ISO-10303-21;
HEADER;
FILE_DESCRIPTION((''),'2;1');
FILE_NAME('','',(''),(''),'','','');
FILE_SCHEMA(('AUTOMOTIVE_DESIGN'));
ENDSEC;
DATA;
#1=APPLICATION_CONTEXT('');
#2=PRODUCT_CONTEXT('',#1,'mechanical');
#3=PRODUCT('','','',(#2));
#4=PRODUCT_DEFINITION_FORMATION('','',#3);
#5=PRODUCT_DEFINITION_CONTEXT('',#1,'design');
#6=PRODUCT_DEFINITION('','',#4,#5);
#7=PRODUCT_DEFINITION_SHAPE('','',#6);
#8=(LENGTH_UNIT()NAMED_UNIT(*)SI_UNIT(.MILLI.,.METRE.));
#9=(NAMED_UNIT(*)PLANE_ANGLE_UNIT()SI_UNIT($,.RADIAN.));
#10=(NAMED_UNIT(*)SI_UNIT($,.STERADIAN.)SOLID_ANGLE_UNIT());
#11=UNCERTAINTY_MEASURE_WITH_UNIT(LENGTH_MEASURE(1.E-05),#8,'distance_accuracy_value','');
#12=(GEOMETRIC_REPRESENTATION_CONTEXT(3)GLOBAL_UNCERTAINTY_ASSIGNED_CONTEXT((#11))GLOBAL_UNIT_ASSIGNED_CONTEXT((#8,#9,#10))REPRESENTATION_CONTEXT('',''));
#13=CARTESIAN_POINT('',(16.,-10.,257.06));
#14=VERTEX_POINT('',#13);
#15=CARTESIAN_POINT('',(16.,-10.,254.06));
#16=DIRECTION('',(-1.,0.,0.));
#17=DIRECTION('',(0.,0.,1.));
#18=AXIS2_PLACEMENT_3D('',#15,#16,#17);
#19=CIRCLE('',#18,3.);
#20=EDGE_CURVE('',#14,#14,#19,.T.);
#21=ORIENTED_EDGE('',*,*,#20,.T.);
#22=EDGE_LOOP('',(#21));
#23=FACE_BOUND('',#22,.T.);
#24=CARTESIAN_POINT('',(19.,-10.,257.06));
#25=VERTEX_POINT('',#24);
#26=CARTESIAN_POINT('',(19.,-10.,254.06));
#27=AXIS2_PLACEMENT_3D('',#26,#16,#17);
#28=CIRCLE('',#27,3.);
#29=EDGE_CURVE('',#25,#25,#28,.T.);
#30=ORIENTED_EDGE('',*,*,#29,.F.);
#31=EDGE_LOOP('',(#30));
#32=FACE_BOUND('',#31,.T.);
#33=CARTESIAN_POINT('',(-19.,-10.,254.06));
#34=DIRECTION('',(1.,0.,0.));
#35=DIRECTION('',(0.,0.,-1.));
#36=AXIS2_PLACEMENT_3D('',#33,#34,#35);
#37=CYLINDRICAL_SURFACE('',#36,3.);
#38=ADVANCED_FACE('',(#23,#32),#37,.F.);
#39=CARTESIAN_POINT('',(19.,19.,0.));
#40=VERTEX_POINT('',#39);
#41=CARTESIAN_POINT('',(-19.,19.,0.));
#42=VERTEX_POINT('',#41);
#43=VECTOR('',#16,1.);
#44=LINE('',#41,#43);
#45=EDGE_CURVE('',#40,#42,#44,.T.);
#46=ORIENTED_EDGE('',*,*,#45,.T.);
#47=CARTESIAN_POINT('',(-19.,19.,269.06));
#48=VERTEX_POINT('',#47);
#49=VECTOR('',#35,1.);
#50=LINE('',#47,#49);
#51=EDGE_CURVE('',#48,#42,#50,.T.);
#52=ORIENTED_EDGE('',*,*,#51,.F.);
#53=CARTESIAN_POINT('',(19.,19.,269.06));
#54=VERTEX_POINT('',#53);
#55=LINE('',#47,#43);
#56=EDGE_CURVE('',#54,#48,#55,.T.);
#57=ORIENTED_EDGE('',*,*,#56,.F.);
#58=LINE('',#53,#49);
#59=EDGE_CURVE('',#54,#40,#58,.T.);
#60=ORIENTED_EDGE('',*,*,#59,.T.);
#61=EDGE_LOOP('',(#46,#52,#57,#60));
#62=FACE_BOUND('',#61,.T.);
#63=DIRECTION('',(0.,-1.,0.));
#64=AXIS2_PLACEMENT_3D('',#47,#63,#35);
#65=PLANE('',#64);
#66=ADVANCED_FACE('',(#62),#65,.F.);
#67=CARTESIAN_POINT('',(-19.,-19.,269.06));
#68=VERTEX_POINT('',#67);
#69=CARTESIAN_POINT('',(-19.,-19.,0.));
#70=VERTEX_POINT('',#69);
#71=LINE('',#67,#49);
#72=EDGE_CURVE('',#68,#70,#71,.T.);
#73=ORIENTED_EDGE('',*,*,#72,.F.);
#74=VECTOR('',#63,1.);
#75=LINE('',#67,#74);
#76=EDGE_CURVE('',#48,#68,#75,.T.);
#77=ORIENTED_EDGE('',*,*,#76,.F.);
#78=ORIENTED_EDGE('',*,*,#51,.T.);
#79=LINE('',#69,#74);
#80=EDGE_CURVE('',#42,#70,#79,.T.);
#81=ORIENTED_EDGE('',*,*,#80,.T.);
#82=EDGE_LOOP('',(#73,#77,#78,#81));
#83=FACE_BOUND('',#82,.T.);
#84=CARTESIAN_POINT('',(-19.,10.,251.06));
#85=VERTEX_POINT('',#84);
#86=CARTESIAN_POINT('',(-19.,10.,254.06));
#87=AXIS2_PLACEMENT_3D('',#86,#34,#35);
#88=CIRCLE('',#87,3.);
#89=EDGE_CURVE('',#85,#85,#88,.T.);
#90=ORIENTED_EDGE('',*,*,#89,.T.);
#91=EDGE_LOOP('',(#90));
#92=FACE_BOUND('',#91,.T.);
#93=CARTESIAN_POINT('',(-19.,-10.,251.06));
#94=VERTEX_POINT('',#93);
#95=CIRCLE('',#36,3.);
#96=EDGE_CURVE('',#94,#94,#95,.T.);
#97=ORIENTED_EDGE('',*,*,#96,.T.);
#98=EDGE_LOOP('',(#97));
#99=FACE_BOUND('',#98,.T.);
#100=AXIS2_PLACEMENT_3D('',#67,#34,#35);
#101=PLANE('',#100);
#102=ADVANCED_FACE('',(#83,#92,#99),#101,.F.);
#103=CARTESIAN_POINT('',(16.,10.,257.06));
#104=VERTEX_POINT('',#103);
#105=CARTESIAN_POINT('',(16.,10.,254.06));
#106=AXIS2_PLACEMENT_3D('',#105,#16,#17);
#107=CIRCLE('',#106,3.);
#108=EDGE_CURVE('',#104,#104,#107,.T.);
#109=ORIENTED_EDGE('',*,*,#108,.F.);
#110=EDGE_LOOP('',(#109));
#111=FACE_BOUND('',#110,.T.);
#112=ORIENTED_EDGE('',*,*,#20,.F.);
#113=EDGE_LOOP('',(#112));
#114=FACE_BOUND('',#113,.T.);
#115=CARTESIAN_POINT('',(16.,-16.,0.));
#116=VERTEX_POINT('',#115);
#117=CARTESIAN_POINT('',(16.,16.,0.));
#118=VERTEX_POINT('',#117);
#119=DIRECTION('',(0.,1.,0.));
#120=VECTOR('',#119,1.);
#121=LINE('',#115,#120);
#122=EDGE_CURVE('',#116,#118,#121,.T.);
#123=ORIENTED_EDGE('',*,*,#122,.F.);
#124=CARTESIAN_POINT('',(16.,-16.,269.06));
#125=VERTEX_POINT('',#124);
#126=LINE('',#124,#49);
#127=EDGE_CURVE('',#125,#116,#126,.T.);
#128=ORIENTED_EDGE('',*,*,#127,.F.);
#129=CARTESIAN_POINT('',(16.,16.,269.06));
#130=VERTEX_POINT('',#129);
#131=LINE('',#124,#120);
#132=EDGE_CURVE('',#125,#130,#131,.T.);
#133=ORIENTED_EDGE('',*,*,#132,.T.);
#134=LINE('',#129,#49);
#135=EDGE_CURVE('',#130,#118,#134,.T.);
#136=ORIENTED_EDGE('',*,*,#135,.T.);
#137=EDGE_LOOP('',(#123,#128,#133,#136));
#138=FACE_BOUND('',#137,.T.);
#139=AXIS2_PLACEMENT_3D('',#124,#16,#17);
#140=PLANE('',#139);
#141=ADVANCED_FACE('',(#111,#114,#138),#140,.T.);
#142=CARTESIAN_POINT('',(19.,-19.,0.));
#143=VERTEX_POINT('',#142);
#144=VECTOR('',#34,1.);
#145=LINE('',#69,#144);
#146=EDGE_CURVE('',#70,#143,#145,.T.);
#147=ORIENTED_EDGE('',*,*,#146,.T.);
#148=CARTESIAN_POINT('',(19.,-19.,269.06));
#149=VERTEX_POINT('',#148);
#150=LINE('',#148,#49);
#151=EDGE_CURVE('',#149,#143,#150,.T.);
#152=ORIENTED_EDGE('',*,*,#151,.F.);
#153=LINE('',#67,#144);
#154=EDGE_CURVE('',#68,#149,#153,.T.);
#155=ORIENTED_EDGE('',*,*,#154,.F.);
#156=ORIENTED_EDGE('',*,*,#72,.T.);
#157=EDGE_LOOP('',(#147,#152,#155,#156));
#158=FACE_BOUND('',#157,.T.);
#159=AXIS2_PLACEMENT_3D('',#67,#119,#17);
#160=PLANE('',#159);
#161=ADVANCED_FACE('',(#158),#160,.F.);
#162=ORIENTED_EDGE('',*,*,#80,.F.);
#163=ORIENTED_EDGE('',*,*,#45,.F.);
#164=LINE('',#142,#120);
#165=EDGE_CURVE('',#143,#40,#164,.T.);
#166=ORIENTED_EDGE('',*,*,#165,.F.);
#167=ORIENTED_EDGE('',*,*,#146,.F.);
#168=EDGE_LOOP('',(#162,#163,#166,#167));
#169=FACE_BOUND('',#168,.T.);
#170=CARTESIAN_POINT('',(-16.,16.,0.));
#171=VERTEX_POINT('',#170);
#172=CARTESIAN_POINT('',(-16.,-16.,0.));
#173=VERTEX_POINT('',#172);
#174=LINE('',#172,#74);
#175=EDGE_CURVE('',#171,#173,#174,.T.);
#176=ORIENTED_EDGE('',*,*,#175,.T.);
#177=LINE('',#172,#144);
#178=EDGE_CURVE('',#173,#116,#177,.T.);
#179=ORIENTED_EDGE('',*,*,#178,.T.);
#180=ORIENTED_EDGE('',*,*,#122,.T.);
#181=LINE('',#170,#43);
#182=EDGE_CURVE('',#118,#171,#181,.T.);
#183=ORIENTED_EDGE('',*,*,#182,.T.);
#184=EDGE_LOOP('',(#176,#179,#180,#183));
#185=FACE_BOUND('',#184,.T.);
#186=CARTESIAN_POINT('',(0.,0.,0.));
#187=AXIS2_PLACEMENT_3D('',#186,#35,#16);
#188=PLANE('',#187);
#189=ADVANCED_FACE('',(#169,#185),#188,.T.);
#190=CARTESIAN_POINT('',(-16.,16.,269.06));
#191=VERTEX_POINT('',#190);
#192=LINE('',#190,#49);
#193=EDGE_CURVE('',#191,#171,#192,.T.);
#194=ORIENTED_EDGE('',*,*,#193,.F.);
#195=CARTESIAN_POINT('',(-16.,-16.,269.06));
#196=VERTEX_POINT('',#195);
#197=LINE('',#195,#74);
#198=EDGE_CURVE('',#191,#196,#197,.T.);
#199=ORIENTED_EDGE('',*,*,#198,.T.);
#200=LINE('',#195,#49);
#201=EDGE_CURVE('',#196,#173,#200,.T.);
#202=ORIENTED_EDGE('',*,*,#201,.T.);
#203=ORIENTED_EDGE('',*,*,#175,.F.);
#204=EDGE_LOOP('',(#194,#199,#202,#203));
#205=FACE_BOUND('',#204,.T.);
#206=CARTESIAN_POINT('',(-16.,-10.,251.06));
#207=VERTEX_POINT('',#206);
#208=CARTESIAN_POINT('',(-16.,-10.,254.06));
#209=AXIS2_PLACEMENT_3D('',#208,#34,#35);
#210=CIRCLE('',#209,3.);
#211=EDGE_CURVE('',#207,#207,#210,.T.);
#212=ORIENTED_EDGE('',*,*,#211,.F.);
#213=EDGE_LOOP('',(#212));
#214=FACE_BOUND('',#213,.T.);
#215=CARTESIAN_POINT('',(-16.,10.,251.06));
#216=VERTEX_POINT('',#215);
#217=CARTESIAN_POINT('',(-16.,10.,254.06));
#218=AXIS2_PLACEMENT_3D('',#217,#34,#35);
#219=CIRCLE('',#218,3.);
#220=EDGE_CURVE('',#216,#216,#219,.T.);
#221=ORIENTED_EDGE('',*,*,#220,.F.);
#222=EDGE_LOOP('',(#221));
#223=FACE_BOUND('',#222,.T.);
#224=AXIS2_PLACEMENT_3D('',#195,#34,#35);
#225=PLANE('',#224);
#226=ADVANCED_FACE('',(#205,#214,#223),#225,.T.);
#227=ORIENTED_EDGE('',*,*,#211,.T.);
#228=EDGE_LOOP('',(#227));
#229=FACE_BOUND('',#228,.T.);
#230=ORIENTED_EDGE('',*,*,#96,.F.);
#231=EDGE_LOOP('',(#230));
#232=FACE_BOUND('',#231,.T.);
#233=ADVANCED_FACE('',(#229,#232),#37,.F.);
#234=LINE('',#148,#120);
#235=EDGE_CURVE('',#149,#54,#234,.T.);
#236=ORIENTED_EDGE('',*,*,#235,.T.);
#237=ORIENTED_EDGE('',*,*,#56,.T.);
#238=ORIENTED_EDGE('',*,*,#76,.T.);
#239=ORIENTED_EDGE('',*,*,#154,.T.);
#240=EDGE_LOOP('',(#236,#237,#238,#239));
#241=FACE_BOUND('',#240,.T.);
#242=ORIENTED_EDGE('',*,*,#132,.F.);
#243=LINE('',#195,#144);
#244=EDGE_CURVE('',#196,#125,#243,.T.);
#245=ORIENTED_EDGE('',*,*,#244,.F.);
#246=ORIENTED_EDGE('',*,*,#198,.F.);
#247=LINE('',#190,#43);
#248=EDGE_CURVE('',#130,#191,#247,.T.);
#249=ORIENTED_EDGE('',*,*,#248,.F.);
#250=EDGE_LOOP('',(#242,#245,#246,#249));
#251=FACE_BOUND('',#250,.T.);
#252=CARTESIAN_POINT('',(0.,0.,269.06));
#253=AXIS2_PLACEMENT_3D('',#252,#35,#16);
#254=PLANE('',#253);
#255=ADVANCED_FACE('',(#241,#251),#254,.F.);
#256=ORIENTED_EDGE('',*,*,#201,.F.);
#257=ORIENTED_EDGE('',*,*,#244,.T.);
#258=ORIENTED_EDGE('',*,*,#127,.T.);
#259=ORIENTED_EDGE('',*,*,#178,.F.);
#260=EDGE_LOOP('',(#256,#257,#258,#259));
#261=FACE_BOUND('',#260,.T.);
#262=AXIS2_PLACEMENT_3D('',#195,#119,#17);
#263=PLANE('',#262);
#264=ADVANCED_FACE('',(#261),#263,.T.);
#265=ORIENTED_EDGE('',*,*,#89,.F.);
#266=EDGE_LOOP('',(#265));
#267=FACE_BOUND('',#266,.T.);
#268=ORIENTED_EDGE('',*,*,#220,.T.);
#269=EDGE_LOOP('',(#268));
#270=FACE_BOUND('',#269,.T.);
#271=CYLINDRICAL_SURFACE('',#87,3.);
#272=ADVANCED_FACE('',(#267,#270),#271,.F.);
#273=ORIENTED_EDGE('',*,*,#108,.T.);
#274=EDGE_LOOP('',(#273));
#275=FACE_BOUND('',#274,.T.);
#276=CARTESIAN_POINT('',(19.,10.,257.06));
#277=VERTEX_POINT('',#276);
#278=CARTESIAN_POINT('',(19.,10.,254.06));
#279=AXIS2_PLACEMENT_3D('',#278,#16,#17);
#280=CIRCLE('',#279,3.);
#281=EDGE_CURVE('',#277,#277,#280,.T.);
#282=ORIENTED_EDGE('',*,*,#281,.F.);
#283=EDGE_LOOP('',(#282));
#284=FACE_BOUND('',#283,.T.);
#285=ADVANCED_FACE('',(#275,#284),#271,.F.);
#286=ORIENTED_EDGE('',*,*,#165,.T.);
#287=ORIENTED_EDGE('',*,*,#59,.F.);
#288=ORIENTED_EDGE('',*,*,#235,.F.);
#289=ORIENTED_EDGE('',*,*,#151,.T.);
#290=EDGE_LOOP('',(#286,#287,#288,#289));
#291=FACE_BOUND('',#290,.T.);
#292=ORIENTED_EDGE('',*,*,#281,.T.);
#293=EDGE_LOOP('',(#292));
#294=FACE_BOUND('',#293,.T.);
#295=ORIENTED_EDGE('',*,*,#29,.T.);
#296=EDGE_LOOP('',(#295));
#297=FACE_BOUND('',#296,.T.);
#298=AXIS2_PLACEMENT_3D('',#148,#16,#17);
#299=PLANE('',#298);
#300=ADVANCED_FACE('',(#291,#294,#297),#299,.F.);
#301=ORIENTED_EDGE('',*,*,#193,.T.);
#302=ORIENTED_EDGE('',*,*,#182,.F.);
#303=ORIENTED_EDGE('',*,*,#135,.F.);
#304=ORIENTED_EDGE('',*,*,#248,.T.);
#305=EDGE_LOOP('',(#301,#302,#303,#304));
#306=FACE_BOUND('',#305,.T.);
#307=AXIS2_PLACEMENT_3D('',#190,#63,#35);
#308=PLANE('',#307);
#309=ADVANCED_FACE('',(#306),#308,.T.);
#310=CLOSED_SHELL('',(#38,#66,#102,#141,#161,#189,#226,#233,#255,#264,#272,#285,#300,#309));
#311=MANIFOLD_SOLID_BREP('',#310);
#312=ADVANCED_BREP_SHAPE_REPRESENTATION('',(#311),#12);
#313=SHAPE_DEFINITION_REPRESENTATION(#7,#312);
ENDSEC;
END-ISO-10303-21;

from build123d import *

# Parameters (mm, degrees)
SKETCH1_W               = 38
SKETCH1_H               = 38
SKETCH1_W_2             = 32
SKETCH1_H_2             = 32
BOSS_EXTRUDE1_DEPTH     = 269.06
SKETCH2_R               = 3
CUT_EXTRUDE1_DEPTH      = 1
CUT_EXTRUDE1_DEPTH_BACK = 39


with BuildPart() as part:
    # Sketch1 → Boss-Extrude1 (new body)
    with BuildSketch(Plane.XY):
        Rectangle(SKETCH1_W, SKETCH1_H)
        Rectangle(SKETCH1_W_2, SKETCH1_H_2, mode=Mode.SUBTRACT)
    extrude(amount=BOSS_EXTRUDE1_DEPTH)

    # Sketch2 → Cut-Extrude1 (cut, two sides)
    with BuildSketch(Plane(origin=(19, 0, 0), x_dir=(0, 0, -1), z_dir=(1, 0, 0))) as cut_extrude1_sk:
        with Locations((-254.06, 10)):
            Circle(SKETCH2_R)
        with Locations((-254.06, -10)):
            Circle(SKETCH2_R)
    extrude(amount=CUT_EXTRUDE1_DEPTH, mode=Mode.SUBTRACT)
    extrude(cut_extrude1_sk.sketch, amount=-CUT_EXTRUDE1_DEPTH_BACK, mode=Mode.SUBTRACT)


solid = part.part
